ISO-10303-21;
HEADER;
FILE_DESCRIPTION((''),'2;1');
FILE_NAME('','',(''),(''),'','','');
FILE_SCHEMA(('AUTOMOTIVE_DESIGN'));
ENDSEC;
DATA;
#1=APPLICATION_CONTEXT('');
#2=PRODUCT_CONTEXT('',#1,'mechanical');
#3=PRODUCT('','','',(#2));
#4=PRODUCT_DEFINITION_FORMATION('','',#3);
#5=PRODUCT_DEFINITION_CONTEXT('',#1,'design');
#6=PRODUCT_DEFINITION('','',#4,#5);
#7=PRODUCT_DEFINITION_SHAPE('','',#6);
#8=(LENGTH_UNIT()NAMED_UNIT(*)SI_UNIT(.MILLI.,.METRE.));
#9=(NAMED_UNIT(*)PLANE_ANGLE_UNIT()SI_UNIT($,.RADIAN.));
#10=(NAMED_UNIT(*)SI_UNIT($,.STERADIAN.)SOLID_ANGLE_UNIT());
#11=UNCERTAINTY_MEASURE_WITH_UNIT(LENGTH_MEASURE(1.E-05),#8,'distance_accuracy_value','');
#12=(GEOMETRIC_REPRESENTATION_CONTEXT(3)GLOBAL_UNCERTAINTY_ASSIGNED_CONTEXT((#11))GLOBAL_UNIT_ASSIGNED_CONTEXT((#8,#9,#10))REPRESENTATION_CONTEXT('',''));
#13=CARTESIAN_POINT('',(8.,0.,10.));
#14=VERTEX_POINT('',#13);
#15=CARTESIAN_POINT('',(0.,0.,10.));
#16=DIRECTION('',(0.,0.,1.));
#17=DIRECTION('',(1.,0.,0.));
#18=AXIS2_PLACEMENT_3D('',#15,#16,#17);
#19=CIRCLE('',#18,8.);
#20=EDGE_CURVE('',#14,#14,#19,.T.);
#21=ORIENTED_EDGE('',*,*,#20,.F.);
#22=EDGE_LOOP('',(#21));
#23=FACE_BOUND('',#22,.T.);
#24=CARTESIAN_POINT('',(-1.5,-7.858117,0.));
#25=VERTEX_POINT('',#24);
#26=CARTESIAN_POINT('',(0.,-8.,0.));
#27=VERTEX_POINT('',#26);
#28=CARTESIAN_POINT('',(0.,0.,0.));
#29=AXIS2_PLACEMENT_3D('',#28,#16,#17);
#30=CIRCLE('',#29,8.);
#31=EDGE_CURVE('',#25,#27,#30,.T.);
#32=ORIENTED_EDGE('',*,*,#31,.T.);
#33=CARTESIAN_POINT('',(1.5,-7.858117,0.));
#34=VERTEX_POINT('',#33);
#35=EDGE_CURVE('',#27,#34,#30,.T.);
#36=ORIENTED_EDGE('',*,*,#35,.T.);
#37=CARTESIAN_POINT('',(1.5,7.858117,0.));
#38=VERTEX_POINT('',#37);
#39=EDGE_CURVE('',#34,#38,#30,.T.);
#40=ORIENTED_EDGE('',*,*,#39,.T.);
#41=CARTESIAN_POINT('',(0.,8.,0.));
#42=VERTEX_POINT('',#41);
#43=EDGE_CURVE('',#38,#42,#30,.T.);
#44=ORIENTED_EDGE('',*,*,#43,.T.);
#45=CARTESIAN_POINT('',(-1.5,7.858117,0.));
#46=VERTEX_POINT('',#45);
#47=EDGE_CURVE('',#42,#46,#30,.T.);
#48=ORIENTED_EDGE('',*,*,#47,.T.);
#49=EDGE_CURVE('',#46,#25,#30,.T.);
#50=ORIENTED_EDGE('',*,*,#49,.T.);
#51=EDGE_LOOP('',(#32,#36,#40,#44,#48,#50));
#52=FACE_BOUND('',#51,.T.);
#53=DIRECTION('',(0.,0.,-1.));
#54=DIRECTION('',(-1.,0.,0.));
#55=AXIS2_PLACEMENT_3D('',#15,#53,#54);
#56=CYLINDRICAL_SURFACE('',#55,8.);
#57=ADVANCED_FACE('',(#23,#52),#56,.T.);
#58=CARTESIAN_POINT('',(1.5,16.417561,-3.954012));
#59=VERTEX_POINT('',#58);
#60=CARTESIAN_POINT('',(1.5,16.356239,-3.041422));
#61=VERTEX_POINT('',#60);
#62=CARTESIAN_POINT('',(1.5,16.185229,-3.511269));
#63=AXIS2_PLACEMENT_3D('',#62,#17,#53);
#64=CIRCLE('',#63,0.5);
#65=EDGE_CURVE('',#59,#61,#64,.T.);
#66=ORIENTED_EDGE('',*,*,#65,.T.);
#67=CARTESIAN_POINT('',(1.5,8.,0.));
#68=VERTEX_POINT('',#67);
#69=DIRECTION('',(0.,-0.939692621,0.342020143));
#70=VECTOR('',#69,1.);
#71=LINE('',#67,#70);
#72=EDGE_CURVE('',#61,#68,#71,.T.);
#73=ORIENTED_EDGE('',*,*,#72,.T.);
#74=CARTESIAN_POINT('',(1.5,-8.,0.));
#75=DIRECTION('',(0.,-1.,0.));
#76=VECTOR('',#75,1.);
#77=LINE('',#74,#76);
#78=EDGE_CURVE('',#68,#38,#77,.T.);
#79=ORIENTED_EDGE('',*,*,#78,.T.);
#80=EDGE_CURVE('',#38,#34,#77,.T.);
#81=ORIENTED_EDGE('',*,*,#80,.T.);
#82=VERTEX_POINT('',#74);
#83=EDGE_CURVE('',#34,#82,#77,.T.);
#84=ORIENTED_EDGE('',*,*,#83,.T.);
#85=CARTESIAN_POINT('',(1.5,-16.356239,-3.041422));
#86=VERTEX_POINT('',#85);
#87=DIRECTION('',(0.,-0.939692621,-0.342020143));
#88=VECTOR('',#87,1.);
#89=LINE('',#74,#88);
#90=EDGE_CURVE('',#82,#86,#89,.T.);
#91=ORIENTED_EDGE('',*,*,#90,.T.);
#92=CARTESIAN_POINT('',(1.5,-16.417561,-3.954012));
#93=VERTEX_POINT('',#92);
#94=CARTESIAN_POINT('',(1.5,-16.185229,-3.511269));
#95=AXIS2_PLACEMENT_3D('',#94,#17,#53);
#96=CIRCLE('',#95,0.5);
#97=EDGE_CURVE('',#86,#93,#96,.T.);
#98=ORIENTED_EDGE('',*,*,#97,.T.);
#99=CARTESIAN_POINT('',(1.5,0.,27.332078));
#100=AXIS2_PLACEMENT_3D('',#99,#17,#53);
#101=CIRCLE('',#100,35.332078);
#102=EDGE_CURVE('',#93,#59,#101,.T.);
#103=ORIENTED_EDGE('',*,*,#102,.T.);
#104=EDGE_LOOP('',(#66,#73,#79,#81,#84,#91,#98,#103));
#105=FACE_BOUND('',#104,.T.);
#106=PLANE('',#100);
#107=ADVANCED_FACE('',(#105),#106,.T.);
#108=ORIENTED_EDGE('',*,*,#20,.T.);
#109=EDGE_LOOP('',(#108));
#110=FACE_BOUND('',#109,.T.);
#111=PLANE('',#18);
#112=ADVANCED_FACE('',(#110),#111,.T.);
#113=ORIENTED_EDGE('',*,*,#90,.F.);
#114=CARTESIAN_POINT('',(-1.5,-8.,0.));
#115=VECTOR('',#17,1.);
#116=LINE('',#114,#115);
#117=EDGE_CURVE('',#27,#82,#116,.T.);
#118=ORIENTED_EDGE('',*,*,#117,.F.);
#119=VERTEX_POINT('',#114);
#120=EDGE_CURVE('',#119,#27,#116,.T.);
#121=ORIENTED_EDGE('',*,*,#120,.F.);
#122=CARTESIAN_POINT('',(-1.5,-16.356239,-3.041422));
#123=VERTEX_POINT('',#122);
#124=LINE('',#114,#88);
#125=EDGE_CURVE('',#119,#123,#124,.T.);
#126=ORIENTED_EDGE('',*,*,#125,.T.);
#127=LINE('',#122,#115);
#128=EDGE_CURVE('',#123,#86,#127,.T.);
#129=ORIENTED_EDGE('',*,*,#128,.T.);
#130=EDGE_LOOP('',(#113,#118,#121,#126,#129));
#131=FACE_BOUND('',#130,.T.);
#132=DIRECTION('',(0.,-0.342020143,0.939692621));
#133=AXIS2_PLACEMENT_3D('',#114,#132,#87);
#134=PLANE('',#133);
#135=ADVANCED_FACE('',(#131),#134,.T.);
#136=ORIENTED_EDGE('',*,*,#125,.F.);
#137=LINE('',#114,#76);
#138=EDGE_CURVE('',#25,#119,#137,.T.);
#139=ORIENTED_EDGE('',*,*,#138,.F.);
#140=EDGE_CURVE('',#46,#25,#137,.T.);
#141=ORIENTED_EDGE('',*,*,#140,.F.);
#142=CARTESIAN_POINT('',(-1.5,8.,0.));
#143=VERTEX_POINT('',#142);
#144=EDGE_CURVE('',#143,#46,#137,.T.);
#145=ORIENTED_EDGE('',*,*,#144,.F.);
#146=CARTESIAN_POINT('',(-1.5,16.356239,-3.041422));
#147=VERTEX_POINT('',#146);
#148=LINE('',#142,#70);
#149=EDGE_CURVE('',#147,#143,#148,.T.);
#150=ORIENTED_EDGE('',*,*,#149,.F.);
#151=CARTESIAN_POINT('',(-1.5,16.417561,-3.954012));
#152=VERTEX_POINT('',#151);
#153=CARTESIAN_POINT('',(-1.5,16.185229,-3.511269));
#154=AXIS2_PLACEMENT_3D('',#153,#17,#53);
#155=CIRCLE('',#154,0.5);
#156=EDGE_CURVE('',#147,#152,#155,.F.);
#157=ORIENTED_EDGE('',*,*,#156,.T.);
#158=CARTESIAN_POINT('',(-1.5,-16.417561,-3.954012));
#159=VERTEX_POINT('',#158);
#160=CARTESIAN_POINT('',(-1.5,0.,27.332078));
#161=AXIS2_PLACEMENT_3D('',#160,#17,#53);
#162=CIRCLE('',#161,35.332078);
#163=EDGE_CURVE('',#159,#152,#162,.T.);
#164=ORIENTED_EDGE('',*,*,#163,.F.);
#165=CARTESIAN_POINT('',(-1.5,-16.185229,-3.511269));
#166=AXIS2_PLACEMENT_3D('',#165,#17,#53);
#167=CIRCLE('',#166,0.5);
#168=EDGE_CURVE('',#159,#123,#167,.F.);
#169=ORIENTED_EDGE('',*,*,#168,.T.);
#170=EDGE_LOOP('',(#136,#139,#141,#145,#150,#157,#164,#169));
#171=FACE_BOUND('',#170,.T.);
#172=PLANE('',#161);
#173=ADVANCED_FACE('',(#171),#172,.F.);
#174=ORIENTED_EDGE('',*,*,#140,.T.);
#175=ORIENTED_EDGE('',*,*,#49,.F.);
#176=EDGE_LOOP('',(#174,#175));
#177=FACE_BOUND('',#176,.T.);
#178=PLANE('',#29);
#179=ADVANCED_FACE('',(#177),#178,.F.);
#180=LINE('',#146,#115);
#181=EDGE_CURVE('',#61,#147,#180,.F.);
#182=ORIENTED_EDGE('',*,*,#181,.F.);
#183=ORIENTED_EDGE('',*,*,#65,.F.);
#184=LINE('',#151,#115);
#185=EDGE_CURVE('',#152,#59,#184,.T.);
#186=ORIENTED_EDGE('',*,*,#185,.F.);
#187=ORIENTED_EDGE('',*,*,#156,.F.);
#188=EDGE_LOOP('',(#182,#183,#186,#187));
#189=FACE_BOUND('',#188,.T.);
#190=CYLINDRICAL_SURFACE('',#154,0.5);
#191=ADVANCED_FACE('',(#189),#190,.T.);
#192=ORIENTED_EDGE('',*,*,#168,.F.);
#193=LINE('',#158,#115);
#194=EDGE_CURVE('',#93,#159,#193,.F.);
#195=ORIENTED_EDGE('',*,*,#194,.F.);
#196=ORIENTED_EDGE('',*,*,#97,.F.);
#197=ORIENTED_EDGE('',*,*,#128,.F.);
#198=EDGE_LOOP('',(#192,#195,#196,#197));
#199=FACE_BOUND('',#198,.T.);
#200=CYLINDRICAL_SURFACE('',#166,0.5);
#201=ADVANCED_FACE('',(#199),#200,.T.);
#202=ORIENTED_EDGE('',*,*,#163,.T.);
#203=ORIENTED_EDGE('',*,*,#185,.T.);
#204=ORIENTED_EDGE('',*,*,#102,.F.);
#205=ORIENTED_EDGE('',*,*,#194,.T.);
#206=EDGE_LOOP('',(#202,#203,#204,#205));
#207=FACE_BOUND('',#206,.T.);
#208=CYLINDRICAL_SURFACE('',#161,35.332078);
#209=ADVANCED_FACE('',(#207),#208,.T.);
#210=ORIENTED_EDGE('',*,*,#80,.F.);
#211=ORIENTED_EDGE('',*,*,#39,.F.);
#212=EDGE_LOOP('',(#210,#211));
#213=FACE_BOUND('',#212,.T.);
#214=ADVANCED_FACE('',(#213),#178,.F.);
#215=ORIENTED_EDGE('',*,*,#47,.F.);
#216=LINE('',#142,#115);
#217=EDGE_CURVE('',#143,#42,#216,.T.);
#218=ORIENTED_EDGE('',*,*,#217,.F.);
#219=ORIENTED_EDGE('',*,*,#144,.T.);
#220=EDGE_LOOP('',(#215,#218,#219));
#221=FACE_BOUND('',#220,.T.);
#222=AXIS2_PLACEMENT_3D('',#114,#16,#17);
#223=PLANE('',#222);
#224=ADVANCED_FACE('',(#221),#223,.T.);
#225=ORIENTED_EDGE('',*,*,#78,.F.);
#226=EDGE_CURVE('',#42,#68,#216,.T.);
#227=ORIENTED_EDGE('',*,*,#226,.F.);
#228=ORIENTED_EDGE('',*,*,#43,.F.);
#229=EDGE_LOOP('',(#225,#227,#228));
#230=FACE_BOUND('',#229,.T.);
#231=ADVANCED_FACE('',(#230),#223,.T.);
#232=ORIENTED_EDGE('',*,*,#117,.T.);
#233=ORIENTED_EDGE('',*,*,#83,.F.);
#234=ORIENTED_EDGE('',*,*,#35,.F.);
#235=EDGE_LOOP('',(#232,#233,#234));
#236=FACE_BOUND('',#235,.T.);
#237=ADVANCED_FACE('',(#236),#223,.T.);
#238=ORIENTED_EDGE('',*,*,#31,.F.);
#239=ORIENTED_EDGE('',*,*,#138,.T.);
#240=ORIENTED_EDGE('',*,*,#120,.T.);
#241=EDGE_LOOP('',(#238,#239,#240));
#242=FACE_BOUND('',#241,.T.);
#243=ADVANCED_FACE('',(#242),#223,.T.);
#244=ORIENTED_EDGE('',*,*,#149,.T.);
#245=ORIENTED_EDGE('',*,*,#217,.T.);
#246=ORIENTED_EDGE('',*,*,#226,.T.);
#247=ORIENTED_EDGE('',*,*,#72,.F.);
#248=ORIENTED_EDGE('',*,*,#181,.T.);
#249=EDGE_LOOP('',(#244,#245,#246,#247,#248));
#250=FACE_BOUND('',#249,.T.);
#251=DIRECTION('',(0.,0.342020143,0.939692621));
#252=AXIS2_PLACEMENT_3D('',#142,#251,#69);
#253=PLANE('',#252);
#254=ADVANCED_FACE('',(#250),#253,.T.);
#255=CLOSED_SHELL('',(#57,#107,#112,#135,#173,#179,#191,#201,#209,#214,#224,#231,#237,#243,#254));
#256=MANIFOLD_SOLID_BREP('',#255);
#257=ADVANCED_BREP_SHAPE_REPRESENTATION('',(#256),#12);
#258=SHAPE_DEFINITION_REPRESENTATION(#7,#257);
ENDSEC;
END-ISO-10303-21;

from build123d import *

# Parameters (mm, degrees)
SKETCH_1_R           = 8
EXTRUDE_1_DEPTH      = 10
EXTRUDE_2_DEPTH      = 1.5
EXTRUDE_2_DEPTH_BACK = 1.5
FILLET_1_R           = 0.5


with BuildPart() as part:
    # ｽｹｯﾁ1 → ﾎﾞｽ - 押し出し1 (new body)
    with BuildSketch(Plane.XY):
        Circle(SKETCH_1_R)
    extrude(amount=EXTRUDE_1_DEPTH)

    # ｽｹｯﾁ2 → ﾎﾞｽ - 押し出し2 (add, two sides: drawn at the far end of the back side and taken through both)
    with BuildSketch(Plane(origin=(0, 0, 0), x_dir=(0, 0, -1), z_dir=(1, 0, 0)).offset(-EXTRUDE_2_DEPTH_BACK)):
        with BuildLine():
            Line((0, -8), (0, 8))
            Line((0, 8), (3.420201433, 17.396926208))
            ThreePointArc((3.420201433, 17.396926208), (8, 0), (3.420201433, -17.396926208))
            Line((3.420201433, -17.396926208), (0, -8))
        make_face()
    extrude(amount=EXTRUDE_2_DEPTH + EXTRUDE_2_DEPTH_BACK)

    # ﾌｨﾚｯﾄ1
    fillet_1_edges = [part.edges().sort_by_distance(p)[0] for p in [
        (0, -17.396926208, -3.420201433),
        (0, 17.396926208, -3.420201433),
    ]]
    fillet(fillet_1_edges, radius=FILLET_1_R)


solid = part.part
